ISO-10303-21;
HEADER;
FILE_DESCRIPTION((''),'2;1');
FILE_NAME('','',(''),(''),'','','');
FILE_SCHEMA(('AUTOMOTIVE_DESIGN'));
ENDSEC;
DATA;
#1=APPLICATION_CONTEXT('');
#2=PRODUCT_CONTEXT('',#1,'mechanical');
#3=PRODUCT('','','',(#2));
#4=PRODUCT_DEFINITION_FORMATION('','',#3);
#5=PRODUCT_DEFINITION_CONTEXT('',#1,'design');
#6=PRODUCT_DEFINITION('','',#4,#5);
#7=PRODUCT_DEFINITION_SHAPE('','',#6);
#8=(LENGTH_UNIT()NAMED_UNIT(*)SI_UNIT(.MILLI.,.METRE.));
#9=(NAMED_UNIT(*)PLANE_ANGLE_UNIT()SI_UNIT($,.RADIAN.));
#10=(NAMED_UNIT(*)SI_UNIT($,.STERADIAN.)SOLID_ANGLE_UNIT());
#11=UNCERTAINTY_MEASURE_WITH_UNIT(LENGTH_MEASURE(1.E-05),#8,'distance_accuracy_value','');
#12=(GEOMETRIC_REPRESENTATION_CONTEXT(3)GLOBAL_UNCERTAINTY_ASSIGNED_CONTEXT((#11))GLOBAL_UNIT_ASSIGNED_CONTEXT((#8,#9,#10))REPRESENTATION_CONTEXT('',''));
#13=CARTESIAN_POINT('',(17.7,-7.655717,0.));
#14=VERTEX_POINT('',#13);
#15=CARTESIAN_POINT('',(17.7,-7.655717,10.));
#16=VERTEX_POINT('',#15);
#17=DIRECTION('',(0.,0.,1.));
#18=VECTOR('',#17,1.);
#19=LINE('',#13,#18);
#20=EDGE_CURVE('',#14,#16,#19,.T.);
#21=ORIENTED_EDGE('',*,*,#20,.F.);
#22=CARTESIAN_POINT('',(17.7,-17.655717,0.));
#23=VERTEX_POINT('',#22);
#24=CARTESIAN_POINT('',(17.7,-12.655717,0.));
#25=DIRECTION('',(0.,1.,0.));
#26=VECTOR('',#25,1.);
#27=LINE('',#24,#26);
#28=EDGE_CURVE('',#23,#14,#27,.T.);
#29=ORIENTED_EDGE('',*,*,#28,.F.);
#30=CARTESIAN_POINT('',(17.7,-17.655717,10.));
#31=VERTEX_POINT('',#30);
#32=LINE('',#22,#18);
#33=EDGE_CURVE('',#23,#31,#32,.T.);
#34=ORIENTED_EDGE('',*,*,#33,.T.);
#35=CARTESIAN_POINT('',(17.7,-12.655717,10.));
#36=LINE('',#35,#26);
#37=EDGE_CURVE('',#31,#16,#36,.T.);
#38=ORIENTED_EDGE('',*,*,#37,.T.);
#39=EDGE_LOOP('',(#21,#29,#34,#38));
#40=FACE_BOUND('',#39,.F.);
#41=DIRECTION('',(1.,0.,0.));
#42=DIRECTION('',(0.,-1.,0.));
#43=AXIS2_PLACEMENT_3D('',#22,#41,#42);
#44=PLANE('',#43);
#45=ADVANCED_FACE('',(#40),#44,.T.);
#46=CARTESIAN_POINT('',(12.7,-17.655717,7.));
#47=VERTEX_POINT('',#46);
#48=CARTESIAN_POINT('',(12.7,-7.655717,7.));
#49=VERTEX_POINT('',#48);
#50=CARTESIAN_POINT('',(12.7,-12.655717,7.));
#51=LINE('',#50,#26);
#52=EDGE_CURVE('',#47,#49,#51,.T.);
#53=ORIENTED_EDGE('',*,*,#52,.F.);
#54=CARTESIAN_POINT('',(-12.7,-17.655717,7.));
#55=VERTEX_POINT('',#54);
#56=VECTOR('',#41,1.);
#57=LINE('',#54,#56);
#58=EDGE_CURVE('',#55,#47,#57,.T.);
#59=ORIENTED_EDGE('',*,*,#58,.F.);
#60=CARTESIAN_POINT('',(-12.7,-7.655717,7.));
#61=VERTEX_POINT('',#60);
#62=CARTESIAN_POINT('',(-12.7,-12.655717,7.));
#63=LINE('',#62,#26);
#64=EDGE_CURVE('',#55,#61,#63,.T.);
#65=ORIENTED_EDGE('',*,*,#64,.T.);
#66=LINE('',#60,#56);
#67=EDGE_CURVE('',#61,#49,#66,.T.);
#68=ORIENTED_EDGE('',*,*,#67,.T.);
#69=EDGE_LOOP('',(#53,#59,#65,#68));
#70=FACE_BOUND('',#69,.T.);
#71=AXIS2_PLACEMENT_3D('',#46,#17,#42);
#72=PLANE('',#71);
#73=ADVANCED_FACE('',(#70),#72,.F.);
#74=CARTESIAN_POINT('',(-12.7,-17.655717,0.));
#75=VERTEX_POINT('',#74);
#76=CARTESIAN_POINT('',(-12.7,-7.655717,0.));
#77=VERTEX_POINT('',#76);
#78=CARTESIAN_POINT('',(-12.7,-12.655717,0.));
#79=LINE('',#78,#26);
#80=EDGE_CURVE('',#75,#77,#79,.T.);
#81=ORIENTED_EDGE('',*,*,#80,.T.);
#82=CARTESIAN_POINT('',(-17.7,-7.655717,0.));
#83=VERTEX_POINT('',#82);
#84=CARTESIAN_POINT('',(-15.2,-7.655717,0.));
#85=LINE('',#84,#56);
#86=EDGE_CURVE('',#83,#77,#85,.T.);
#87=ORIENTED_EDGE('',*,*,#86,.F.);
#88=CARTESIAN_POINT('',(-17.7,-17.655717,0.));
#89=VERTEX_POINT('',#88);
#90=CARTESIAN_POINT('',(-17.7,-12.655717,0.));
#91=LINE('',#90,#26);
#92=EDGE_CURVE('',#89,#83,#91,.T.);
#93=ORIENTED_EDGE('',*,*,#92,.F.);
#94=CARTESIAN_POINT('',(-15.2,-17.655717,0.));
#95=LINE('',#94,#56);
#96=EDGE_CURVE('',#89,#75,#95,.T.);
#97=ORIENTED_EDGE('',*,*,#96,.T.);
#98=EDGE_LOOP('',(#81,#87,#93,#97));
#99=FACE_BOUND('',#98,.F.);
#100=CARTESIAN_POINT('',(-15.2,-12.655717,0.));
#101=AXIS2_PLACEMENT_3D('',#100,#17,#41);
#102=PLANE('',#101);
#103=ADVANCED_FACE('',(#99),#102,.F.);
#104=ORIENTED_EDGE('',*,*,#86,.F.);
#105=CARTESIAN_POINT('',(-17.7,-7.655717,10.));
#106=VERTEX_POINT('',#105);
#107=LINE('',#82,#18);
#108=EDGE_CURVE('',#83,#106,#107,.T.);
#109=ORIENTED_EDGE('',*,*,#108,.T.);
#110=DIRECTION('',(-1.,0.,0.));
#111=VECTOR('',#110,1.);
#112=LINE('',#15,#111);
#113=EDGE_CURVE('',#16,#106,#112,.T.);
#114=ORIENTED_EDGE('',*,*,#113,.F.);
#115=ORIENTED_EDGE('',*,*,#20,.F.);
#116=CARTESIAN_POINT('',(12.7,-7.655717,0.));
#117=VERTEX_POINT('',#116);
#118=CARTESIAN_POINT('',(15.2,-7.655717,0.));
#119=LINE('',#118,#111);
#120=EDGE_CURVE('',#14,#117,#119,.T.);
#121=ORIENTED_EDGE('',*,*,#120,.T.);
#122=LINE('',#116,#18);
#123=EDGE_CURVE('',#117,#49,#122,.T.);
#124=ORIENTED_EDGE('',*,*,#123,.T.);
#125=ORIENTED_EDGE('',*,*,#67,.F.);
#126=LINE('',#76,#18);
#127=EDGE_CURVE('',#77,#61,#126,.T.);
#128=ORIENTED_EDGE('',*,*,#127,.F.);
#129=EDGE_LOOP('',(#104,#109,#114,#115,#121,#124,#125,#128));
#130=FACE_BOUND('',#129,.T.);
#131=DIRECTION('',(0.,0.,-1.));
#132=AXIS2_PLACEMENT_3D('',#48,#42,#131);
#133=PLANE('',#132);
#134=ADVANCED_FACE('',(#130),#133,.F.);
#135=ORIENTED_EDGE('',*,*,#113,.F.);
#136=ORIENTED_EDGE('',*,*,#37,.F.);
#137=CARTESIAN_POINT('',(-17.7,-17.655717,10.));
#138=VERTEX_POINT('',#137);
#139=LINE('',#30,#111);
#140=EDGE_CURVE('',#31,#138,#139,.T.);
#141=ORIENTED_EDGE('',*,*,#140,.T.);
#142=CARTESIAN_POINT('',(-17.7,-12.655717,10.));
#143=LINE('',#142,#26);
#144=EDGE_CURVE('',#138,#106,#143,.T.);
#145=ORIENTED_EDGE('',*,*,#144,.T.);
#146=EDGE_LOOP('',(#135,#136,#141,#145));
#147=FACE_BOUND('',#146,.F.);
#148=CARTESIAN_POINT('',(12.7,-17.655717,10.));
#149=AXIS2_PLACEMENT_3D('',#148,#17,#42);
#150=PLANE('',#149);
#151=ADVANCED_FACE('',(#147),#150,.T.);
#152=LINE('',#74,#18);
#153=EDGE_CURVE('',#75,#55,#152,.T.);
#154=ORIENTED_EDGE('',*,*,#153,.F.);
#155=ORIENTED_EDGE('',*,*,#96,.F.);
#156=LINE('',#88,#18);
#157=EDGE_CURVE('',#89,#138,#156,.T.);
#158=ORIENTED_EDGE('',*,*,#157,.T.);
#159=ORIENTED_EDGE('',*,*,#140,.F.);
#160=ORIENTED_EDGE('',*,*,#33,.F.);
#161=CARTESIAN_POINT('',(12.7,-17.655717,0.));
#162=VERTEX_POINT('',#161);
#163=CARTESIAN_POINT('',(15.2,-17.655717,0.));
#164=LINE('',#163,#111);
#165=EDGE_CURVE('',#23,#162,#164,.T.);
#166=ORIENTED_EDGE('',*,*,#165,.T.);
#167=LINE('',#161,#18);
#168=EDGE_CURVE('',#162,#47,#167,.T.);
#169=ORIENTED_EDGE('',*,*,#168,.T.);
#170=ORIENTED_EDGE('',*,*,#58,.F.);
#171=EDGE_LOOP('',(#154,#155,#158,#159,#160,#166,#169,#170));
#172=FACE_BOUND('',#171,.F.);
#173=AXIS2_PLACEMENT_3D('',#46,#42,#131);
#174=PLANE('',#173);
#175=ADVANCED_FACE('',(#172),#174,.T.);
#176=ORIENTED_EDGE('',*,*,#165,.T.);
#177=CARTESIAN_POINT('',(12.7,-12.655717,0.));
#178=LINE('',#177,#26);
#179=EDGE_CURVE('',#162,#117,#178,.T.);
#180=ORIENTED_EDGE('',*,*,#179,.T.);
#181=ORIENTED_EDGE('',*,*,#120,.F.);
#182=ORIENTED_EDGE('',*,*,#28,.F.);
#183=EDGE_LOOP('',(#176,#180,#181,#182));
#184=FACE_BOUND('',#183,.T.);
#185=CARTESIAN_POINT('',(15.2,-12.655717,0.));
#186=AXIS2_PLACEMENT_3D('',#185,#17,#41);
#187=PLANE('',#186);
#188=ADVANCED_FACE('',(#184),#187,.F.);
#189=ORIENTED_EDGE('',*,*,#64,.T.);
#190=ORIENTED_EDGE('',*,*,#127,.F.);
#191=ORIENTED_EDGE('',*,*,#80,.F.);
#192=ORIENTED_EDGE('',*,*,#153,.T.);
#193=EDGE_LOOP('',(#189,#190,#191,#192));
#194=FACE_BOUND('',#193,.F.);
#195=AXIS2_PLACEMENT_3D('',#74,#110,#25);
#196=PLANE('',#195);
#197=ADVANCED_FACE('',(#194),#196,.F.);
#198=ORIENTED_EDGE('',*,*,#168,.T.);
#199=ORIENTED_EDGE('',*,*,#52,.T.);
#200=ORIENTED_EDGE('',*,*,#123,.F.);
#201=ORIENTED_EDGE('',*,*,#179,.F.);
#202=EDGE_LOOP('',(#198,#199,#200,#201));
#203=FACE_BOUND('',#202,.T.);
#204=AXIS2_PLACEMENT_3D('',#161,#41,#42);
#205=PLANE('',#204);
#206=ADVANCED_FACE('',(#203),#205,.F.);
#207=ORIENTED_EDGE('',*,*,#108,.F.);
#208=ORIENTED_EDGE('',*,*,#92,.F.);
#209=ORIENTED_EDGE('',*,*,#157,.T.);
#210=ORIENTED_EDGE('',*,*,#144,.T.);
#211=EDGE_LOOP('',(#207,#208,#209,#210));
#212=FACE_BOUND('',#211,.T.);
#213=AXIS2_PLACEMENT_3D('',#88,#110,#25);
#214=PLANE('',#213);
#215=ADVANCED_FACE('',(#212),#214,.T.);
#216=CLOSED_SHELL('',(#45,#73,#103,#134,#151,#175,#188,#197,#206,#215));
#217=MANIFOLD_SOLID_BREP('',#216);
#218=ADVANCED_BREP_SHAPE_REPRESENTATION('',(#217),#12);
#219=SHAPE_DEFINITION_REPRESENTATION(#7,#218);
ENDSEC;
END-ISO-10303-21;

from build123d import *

# Parameters (mm, degrees)
F0_W     = 5
F0_H     = 10
F1_DEPTH = 10
F2_W     = 10
F2_H     = 3
F3_DEPTH = 12.7


with BuildPart() as f1:
    # F0 (on Top) → F1 (new body)
    with BuildSketch(Plane.XY):
        with Locations((-15.2, -12.655717)):
            Rectangle(F0_W, F0_H)
    extrude(amount=F1_DEPTH)

    # F2 (on face) → F3 (join, through all)
    with BuildSketch(Plane.YZ.offset(-12.7)):
        with Locations((-12.655717, 8.5)):
            Rectangle(F2_W, F2_H)
    extrude(amount=F3_DEPTH)

    # F4: F1 across plane


with BuildPart() as f1_1:
    add(f1.part)
    add(f1.part.mirror(Plane.YZ))


solid = f1_1.part
